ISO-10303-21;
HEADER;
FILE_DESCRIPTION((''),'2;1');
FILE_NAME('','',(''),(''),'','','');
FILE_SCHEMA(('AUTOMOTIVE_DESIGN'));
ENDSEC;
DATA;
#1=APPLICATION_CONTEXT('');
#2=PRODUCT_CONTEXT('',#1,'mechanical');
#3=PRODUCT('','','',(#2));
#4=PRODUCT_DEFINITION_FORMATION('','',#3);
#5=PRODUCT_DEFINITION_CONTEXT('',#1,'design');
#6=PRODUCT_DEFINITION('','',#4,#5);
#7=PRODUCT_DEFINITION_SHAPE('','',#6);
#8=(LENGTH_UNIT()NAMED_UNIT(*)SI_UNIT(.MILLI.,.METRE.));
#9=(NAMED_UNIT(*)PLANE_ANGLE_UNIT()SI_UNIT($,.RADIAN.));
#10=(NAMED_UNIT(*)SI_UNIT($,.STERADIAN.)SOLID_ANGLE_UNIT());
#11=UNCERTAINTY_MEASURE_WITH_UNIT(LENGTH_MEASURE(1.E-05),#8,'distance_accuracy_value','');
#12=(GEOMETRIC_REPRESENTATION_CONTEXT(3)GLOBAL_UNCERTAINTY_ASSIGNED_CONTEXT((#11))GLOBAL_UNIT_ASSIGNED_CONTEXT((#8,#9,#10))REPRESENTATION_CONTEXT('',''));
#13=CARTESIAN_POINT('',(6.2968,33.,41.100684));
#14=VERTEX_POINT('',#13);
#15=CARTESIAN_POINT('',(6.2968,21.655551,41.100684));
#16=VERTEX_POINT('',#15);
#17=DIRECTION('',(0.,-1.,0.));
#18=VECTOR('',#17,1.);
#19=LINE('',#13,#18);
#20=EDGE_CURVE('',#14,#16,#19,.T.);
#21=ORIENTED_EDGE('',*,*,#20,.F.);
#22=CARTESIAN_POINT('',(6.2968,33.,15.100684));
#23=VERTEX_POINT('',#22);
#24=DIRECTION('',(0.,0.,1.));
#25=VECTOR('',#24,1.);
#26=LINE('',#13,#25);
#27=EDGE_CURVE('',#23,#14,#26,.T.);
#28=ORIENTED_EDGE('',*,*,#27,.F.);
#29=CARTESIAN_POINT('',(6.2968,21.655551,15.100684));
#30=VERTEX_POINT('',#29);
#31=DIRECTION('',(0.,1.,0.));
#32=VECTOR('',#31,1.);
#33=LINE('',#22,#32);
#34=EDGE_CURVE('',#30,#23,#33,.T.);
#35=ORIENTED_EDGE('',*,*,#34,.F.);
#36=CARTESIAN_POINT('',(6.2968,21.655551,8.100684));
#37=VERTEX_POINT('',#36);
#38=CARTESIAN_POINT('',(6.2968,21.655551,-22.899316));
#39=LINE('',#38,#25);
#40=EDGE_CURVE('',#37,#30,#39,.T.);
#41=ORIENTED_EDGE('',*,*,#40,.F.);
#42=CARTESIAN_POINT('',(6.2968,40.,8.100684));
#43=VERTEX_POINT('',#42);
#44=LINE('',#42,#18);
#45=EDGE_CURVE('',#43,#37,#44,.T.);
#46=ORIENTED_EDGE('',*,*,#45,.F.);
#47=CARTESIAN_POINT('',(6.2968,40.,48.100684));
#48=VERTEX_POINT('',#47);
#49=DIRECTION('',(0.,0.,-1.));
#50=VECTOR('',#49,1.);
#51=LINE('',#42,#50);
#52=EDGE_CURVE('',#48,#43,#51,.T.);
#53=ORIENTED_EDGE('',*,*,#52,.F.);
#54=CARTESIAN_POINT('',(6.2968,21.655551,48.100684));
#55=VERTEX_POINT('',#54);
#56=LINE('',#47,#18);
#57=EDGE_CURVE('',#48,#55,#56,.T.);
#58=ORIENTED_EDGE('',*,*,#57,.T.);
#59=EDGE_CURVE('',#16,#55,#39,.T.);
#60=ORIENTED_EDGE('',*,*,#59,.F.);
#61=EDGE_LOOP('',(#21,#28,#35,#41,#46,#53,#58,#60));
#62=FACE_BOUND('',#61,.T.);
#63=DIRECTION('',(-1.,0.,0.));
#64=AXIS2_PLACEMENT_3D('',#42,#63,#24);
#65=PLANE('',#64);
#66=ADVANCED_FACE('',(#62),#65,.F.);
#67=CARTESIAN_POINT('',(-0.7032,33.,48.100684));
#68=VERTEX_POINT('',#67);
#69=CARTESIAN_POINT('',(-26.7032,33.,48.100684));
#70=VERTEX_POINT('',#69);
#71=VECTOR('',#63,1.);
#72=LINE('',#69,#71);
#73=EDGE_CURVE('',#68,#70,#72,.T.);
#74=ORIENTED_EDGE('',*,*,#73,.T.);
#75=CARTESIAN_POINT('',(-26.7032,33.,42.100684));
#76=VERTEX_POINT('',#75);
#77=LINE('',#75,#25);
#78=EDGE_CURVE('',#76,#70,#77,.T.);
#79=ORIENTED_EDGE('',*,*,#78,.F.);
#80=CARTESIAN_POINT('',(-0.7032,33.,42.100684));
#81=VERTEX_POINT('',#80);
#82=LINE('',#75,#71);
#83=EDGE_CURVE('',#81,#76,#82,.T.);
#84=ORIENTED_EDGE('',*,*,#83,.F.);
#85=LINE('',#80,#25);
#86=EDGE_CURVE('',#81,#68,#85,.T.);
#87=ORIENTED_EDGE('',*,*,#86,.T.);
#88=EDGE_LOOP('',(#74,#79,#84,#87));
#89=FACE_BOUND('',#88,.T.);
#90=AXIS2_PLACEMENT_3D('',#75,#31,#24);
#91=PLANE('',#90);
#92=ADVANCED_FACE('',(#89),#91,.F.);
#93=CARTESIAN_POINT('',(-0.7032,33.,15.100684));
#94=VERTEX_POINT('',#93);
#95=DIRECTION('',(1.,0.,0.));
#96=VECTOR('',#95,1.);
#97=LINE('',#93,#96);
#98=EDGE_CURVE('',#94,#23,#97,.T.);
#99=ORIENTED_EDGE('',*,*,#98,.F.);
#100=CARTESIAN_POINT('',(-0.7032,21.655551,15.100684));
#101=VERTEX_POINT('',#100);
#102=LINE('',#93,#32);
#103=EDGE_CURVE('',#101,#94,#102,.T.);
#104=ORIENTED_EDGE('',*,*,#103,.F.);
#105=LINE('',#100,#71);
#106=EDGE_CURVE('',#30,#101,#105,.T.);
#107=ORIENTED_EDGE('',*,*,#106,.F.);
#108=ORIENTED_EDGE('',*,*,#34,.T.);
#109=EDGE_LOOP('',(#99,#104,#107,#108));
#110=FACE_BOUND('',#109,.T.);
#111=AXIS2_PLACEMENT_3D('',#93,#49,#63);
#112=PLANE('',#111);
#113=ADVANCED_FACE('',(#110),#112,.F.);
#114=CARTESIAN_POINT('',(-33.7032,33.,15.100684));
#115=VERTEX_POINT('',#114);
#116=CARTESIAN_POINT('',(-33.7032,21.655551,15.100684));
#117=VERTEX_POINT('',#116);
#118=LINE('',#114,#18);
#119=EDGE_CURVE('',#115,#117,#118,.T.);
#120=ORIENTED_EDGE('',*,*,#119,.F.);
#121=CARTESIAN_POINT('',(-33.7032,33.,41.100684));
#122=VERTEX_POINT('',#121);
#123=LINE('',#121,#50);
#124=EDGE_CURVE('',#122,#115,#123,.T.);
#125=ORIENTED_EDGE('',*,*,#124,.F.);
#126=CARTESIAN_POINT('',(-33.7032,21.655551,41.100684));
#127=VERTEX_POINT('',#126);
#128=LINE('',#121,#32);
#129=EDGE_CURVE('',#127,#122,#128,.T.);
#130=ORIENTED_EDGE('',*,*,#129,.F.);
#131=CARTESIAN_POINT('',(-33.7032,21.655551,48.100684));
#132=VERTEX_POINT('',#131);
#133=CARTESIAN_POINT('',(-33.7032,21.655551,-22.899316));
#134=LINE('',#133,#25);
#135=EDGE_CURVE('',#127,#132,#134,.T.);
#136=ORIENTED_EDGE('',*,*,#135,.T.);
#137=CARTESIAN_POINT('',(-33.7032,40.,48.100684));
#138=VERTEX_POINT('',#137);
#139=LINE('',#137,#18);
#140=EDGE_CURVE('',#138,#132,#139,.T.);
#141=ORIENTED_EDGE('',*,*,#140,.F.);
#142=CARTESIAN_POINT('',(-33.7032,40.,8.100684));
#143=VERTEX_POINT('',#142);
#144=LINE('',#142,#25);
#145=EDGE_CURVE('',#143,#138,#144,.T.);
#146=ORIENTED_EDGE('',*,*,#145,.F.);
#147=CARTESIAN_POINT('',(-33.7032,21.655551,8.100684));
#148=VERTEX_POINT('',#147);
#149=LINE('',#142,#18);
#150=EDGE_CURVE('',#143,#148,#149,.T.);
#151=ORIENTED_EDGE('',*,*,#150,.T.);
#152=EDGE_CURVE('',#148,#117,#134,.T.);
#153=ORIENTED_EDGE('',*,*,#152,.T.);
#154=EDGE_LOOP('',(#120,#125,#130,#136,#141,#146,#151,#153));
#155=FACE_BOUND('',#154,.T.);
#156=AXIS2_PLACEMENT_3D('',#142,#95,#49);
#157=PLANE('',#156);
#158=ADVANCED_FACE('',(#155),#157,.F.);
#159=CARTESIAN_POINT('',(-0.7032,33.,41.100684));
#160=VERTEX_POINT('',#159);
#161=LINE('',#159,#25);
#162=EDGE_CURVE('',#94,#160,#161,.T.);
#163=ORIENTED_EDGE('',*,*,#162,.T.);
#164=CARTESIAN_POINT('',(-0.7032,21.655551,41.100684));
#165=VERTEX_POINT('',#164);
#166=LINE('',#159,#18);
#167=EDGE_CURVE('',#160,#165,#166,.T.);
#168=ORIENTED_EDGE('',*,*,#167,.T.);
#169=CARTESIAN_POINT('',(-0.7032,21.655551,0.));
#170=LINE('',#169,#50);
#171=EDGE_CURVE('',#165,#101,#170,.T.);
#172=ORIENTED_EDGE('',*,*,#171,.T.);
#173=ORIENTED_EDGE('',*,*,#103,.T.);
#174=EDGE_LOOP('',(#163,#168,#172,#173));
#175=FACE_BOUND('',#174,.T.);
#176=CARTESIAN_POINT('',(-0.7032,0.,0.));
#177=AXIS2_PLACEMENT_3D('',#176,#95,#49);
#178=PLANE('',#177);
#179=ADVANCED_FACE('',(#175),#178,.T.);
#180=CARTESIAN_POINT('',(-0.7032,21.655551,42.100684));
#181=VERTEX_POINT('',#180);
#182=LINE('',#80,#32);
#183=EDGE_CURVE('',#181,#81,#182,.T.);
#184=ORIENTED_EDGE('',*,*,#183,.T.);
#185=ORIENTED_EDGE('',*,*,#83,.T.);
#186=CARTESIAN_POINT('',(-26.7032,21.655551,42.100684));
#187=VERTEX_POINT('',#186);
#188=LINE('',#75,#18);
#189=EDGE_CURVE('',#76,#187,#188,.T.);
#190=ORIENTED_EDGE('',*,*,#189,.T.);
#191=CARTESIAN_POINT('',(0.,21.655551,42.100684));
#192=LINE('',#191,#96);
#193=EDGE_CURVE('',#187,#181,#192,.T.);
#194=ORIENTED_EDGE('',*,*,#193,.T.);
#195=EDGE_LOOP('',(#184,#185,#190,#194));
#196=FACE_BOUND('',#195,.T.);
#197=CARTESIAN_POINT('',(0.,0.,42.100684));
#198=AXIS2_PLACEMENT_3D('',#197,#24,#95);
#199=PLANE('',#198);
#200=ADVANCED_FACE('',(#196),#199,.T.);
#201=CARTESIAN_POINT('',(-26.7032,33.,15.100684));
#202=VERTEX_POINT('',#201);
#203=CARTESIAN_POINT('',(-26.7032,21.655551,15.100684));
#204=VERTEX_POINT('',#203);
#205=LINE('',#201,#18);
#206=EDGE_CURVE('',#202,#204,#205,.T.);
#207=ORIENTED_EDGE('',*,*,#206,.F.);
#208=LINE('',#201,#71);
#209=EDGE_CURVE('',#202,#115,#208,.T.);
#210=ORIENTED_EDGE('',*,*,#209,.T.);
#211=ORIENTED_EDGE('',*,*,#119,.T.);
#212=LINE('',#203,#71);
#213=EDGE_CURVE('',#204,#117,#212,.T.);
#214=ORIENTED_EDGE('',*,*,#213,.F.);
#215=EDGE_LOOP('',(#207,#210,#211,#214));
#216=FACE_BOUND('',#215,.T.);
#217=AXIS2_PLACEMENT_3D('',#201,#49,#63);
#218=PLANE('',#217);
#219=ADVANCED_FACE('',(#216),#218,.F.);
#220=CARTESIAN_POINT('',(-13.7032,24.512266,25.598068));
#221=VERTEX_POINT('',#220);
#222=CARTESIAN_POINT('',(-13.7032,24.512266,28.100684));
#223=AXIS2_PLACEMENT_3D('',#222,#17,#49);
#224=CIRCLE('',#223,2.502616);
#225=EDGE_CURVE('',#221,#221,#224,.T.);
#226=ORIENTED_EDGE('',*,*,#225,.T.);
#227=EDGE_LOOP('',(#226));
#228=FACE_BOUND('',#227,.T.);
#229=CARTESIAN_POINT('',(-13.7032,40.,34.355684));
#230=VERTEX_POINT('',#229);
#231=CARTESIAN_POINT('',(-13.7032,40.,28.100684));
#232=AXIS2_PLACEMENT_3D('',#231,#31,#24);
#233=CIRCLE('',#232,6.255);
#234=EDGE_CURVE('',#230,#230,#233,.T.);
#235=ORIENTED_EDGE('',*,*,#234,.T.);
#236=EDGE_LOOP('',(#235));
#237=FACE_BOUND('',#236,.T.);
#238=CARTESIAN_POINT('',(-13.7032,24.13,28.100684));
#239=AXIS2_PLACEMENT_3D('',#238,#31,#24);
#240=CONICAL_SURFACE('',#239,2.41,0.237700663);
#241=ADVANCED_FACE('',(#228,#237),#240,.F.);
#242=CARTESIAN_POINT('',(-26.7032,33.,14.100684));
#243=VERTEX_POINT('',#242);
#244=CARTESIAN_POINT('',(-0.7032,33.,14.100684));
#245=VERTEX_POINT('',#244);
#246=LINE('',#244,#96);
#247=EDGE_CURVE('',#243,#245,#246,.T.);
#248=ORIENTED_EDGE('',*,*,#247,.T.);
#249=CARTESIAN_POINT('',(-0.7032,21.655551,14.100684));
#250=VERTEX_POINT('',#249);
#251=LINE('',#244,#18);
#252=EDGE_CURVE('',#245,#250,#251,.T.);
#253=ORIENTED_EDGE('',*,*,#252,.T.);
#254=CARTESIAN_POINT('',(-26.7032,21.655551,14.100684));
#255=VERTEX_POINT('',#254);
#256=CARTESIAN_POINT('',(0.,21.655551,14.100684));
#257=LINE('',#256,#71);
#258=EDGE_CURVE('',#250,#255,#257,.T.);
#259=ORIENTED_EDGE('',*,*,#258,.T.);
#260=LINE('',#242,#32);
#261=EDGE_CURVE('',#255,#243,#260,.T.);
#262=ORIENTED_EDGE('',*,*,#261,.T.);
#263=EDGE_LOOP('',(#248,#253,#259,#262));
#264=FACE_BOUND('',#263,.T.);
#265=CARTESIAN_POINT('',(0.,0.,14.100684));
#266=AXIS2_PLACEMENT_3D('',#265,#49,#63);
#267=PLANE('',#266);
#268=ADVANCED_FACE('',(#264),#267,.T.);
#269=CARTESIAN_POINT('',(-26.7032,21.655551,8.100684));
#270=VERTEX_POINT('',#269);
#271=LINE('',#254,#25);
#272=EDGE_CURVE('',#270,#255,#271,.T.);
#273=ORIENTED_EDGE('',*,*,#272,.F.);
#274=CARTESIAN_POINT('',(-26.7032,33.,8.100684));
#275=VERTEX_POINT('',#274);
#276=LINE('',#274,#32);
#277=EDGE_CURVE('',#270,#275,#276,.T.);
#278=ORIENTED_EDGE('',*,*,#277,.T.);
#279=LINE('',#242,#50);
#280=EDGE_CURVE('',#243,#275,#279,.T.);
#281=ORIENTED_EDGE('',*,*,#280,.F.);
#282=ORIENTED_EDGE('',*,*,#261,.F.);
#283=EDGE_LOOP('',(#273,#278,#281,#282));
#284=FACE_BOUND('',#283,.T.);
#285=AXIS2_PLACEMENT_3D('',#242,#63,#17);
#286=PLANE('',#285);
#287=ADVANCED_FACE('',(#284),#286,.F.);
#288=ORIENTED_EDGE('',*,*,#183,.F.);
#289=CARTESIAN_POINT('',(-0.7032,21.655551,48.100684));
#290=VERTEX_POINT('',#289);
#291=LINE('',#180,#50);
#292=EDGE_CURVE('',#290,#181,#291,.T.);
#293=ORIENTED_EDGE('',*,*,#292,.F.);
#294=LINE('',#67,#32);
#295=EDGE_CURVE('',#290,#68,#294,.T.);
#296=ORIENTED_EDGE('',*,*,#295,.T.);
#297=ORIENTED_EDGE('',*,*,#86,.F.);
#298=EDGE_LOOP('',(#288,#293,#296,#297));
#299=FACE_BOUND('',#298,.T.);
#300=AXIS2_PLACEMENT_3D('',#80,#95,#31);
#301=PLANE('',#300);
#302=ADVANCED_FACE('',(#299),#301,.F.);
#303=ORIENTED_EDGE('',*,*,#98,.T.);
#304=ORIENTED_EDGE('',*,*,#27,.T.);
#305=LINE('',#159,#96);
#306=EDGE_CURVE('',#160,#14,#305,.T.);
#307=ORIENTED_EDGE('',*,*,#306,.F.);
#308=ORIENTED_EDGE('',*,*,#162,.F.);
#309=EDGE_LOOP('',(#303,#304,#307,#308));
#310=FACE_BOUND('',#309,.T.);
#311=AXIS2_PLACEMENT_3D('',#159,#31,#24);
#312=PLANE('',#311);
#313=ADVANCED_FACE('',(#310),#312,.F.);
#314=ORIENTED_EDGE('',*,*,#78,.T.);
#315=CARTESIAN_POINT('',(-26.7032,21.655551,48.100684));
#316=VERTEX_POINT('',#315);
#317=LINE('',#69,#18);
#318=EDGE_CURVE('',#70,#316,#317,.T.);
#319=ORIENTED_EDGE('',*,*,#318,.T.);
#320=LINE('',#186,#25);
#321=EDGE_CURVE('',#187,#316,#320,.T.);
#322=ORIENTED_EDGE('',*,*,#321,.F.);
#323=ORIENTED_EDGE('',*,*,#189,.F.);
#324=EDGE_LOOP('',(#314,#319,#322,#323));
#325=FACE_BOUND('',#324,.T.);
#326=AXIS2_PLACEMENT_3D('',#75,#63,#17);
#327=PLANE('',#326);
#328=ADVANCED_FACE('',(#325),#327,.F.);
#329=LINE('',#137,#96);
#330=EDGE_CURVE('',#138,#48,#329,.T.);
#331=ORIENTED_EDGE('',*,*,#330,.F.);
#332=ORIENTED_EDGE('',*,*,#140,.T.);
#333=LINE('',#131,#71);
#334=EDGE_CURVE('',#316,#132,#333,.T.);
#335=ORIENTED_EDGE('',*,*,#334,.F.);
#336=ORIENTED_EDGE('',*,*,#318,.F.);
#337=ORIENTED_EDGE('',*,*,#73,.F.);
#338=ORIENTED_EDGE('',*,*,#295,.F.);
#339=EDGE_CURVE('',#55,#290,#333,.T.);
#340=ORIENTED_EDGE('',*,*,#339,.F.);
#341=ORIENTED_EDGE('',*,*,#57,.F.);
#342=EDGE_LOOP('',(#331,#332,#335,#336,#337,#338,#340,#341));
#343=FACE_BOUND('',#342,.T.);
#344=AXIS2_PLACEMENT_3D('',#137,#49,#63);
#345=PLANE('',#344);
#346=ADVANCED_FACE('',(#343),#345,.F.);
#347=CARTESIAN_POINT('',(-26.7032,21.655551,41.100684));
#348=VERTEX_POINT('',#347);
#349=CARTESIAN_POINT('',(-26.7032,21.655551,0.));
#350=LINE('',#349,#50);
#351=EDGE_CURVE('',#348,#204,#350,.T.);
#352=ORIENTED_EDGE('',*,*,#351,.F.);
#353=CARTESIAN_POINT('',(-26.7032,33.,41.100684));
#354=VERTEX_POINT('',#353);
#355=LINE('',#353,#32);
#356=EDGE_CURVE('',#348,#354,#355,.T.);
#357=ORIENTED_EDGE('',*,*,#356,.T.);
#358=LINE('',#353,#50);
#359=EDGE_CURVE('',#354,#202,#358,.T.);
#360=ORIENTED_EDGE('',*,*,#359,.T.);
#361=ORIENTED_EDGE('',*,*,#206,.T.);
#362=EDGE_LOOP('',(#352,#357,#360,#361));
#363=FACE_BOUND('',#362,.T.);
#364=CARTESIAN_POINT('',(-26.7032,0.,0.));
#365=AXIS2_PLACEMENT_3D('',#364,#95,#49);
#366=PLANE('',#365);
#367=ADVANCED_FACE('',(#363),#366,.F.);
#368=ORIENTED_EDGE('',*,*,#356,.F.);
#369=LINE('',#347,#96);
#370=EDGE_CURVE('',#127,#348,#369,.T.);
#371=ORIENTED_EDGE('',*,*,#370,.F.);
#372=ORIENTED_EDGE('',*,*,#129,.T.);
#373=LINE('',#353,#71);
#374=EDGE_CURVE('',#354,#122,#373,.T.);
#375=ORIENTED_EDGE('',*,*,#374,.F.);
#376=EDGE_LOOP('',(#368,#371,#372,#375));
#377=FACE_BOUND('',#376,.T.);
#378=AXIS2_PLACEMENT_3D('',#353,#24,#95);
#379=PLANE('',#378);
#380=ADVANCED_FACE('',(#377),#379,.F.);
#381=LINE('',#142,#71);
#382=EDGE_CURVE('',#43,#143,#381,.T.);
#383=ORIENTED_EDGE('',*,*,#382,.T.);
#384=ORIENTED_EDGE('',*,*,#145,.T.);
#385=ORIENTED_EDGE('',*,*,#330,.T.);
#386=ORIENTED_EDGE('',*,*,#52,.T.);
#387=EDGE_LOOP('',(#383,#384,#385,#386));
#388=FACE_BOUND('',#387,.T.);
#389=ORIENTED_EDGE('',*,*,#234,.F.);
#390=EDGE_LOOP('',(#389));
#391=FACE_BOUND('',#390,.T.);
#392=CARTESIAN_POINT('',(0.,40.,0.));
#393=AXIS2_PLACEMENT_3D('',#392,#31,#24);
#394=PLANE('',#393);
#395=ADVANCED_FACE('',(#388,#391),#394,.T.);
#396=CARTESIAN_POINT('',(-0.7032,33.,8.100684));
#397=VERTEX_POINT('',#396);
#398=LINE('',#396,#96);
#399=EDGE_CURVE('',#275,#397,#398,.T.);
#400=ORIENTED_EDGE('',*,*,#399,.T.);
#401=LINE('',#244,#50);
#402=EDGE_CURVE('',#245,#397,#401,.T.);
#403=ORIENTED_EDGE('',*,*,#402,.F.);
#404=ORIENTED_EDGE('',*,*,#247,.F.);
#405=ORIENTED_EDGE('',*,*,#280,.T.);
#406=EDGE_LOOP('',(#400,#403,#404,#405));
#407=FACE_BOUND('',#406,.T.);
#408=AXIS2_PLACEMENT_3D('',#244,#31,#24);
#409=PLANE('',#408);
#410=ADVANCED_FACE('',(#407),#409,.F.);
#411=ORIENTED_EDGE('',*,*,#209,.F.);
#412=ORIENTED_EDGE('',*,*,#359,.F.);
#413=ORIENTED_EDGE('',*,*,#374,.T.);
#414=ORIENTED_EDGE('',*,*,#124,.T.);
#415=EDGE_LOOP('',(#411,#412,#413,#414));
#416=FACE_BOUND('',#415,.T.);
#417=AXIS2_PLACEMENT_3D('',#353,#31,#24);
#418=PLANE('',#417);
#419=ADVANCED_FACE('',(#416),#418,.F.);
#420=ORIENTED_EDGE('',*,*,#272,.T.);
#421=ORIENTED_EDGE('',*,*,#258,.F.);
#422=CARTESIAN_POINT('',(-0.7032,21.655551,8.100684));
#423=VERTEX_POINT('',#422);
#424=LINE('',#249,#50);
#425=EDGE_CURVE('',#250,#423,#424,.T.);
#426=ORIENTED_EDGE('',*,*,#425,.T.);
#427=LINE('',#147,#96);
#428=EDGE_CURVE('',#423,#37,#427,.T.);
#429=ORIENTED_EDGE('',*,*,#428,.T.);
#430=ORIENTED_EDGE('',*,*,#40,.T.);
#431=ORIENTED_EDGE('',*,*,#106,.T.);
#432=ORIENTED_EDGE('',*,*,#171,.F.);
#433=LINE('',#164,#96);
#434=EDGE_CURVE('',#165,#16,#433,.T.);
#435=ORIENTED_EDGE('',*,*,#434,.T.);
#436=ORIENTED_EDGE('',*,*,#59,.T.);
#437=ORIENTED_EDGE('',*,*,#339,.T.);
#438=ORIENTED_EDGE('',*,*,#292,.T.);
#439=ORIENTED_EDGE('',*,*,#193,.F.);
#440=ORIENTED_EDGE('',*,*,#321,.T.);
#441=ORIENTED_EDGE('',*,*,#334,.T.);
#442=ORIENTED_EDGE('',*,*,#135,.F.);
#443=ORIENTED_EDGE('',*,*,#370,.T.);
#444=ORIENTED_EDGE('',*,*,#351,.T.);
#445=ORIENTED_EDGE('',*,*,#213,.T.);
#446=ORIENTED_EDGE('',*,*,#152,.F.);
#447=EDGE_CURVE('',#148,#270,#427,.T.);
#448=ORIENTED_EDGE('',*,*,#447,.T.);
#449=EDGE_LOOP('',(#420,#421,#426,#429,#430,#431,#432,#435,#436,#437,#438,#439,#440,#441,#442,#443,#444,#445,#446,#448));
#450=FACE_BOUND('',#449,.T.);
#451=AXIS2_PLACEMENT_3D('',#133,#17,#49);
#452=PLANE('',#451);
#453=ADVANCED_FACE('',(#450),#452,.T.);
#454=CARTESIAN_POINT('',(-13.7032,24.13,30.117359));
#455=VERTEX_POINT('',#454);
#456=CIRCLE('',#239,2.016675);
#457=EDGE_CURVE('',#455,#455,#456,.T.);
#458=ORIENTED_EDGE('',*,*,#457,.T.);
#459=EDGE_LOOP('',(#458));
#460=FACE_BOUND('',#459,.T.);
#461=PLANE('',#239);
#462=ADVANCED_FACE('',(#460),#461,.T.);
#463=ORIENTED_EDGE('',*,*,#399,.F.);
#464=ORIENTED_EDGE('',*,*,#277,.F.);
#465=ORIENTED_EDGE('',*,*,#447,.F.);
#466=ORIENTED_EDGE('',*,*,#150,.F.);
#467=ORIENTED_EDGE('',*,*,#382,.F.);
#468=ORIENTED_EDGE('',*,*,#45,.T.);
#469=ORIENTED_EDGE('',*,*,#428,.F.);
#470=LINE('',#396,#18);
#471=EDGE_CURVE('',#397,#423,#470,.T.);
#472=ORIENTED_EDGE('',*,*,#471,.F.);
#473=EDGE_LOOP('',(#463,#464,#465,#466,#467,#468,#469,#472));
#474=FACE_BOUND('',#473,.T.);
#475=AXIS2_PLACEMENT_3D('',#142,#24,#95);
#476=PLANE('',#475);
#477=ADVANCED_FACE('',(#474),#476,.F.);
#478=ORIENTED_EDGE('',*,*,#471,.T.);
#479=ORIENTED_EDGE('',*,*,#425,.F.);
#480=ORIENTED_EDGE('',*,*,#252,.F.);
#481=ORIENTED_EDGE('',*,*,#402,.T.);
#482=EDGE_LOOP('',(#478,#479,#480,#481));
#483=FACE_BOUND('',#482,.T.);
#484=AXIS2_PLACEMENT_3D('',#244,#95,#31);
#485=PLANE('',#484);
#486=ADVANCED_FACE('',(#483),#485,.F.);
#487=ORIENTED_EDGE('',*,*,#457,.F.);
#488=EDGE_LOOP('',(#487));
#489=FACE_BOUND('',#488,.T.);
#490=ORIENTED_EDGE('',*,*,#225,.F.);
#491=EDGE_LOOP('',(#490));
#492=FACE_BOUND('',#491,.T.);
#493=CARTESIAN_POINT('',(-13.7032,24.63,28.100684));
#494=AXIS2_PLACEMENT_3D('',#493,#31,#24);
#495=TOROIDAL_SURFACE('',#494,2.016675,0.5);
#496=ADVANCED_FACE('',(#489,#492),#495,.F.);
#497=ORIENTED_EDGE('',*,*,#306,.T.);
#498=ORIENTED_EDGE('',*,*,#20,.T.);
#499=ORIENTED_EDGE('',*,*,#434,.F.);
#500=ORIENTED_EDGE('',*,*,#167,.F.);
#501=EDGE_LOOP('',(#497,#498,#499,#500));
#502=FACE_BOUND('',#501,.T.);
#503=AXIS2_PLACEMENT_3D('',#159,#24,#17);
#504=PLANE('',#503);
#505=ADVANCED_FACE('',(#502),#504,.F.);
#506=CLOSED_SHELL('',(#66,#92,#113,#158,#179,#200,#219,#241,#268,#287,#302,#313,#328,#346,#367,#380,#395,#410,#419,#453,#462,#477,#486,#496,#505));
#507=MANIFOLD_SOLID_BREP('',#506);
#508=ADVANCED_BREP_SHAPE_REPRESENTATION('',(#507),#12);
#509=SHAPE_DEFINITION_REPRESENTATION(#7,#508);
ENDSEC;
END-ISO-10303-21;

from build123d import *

# Parameters (mm, degrees)
ESBO_O1_W                  = 40
ESBO_O1_H                  = 40
RESSALTO_EXTRUS_O1_DEPTH   = 40
ESBO_O10_W                 = 26
ESBO_O10_H                 = 26
CORTE_EXTRUS_O3_DEPTH      = 7
ESBO_O11_W                 = 26
ESBO_O11_H                 = 26
CORTE_EXTRUS_O6_DEPTH      = 6
ESBO_O12_W                 = 26
ESBO_O12_H                 = 26
CORTE_EXTRUS_O7_DEPTH      = 6
ESBO_O13_W                 = 26
ESBO_O13_H                 = 26
CORTE_EXTRUS_O8_DEPTH      = 7
ESBO_O2_R                  = 6.255
ESBO_O4_R                  = 2.41
FILETE2_R                  = 0.5
CORTE_EXTRUS_O9_DEPTH      = 37
CORTE_EXTRUS_O9_DEPTH_BACK = 37
ESBO_O14_W                 = 40
ESBO_O14_H                 = 21.655550529


with BuildPart() as part:
    # Esboço1 → Ressalto-extrusão1 (new body)
    with BuildSketch(Plane(origin=(0, 0, 0), x_dir=(1, 0, 0), z_dir=(0, 1, 0))):
        with Locations((-13.703200382, -28.10068404)):
            Rectangle(ESBO_O1_W, ESBO_O1_H)
    extrude(amount=RESSALTO_EXTRUS_O1_DEPTH)

    # Esboço10 → Corte-extrusão3 (cut)
    with BuildSketch(Plane.ZY.offset(33.703200382)):
        with Locations((28.10068404, 20)):
            Rectangle(ESBO_O10_W, ESBO_O10_H)
    extrude(amount=-CORTE_EXTRUS_O3_DEPTH, mode=Mode.SUBTRACT)

    # Esboço11 → Corte-extrusão6 (cut)
    with BuildSketch(Plane(origin=(0, 0, 8.10068404), x_dir=(-1, 0, 0), z_dir=(0, 0, -1))):
        with Locations((13.703200382, 20)):
            Rectangle(ESBO_O11_W, ESBO_O11_H)
    extrude(amount=-CORTE_EXTRUS_O6_DEPTH, mode=Mode.SUBTRACT)

    # Esboço12 → Corte-extrusão7 (cut)
    with BuildSketch(Plane.XY.offset(48.10068404)):
        with Locations((-13.703200382, 20)):
            Rectangle(ESBO_O12_W, ESBO_O12_H)
    extrude(amount=-CORTE_EXTRUS_O7_DEPTH, mode=Mode.SUBTRACT)

    # Esboço13 → Corte-extrusão8 (cut)
    with BuildSketch(Plane(origin=(6.296799618, 0, 0), x_dir=(0, 0, -1), z_dir=(1, 0, 0))):
        with Locations((-28.10068404, 20)):
            Rectangle(ESBO_O13_W, ESBO_O13_H)
    extrude(amount=-CORTE_EXTRUS_O8_DEPTH, mode=Mode.SUBTRACT)

    # Esboço2 → Loft de corte2 section 0
    with BuildSketch(Plane(origin=(0, 40, 0), x_dir=(1, 0, 0), z_dir=(0, 1, 0))):
        with Locations((-13.703200382, -28.10068404)):
            Circle(ESBO_O2_R)
    # Esboço4 → Loft de corte2 section 1
    with BuildSketch(Plane(origin=(0, 24.13, 0), x_dir=(1, 0, 0), z_dir=(0, 1, 0))):
        with Locations((-13.703200382, -28.10068404)):
            Circle(ESBO_O4_R)
    loft(mode=Mode.SUBTRACT)

    # Filete2
    filete2_edges = [part.edges().sort_by_distance(p)[0] for p in [
        (-16.113200382, 24.13, 28.10068404),
    ]]
    fillet(filete2_edges, radius=FILETE2_R)

    # Esboço14 → Corte-extrusão9 (cut, two sides: drawn at the far end of the back side and taken through both)
    with BuildSketch(Plane(origin=(0, 0, 14.10068404), x_dir=(-1, 0, 0), z_dir=(0, 0, -1)).offset(-CORTE_EXTRUS_O9_DEPTH_BACK)):
        with Locations((13.703200382, 10.827775265)):
            Rectangle(ESBO_O14_W, ESBO_O14_H)
    extrude(amount=CORTE_EXTRUS_O9_DEPTH + CORTE_EXTRUS_O9_DEPTH_BACK, mode=Mode.SUBTRACT)


solid = part.part
